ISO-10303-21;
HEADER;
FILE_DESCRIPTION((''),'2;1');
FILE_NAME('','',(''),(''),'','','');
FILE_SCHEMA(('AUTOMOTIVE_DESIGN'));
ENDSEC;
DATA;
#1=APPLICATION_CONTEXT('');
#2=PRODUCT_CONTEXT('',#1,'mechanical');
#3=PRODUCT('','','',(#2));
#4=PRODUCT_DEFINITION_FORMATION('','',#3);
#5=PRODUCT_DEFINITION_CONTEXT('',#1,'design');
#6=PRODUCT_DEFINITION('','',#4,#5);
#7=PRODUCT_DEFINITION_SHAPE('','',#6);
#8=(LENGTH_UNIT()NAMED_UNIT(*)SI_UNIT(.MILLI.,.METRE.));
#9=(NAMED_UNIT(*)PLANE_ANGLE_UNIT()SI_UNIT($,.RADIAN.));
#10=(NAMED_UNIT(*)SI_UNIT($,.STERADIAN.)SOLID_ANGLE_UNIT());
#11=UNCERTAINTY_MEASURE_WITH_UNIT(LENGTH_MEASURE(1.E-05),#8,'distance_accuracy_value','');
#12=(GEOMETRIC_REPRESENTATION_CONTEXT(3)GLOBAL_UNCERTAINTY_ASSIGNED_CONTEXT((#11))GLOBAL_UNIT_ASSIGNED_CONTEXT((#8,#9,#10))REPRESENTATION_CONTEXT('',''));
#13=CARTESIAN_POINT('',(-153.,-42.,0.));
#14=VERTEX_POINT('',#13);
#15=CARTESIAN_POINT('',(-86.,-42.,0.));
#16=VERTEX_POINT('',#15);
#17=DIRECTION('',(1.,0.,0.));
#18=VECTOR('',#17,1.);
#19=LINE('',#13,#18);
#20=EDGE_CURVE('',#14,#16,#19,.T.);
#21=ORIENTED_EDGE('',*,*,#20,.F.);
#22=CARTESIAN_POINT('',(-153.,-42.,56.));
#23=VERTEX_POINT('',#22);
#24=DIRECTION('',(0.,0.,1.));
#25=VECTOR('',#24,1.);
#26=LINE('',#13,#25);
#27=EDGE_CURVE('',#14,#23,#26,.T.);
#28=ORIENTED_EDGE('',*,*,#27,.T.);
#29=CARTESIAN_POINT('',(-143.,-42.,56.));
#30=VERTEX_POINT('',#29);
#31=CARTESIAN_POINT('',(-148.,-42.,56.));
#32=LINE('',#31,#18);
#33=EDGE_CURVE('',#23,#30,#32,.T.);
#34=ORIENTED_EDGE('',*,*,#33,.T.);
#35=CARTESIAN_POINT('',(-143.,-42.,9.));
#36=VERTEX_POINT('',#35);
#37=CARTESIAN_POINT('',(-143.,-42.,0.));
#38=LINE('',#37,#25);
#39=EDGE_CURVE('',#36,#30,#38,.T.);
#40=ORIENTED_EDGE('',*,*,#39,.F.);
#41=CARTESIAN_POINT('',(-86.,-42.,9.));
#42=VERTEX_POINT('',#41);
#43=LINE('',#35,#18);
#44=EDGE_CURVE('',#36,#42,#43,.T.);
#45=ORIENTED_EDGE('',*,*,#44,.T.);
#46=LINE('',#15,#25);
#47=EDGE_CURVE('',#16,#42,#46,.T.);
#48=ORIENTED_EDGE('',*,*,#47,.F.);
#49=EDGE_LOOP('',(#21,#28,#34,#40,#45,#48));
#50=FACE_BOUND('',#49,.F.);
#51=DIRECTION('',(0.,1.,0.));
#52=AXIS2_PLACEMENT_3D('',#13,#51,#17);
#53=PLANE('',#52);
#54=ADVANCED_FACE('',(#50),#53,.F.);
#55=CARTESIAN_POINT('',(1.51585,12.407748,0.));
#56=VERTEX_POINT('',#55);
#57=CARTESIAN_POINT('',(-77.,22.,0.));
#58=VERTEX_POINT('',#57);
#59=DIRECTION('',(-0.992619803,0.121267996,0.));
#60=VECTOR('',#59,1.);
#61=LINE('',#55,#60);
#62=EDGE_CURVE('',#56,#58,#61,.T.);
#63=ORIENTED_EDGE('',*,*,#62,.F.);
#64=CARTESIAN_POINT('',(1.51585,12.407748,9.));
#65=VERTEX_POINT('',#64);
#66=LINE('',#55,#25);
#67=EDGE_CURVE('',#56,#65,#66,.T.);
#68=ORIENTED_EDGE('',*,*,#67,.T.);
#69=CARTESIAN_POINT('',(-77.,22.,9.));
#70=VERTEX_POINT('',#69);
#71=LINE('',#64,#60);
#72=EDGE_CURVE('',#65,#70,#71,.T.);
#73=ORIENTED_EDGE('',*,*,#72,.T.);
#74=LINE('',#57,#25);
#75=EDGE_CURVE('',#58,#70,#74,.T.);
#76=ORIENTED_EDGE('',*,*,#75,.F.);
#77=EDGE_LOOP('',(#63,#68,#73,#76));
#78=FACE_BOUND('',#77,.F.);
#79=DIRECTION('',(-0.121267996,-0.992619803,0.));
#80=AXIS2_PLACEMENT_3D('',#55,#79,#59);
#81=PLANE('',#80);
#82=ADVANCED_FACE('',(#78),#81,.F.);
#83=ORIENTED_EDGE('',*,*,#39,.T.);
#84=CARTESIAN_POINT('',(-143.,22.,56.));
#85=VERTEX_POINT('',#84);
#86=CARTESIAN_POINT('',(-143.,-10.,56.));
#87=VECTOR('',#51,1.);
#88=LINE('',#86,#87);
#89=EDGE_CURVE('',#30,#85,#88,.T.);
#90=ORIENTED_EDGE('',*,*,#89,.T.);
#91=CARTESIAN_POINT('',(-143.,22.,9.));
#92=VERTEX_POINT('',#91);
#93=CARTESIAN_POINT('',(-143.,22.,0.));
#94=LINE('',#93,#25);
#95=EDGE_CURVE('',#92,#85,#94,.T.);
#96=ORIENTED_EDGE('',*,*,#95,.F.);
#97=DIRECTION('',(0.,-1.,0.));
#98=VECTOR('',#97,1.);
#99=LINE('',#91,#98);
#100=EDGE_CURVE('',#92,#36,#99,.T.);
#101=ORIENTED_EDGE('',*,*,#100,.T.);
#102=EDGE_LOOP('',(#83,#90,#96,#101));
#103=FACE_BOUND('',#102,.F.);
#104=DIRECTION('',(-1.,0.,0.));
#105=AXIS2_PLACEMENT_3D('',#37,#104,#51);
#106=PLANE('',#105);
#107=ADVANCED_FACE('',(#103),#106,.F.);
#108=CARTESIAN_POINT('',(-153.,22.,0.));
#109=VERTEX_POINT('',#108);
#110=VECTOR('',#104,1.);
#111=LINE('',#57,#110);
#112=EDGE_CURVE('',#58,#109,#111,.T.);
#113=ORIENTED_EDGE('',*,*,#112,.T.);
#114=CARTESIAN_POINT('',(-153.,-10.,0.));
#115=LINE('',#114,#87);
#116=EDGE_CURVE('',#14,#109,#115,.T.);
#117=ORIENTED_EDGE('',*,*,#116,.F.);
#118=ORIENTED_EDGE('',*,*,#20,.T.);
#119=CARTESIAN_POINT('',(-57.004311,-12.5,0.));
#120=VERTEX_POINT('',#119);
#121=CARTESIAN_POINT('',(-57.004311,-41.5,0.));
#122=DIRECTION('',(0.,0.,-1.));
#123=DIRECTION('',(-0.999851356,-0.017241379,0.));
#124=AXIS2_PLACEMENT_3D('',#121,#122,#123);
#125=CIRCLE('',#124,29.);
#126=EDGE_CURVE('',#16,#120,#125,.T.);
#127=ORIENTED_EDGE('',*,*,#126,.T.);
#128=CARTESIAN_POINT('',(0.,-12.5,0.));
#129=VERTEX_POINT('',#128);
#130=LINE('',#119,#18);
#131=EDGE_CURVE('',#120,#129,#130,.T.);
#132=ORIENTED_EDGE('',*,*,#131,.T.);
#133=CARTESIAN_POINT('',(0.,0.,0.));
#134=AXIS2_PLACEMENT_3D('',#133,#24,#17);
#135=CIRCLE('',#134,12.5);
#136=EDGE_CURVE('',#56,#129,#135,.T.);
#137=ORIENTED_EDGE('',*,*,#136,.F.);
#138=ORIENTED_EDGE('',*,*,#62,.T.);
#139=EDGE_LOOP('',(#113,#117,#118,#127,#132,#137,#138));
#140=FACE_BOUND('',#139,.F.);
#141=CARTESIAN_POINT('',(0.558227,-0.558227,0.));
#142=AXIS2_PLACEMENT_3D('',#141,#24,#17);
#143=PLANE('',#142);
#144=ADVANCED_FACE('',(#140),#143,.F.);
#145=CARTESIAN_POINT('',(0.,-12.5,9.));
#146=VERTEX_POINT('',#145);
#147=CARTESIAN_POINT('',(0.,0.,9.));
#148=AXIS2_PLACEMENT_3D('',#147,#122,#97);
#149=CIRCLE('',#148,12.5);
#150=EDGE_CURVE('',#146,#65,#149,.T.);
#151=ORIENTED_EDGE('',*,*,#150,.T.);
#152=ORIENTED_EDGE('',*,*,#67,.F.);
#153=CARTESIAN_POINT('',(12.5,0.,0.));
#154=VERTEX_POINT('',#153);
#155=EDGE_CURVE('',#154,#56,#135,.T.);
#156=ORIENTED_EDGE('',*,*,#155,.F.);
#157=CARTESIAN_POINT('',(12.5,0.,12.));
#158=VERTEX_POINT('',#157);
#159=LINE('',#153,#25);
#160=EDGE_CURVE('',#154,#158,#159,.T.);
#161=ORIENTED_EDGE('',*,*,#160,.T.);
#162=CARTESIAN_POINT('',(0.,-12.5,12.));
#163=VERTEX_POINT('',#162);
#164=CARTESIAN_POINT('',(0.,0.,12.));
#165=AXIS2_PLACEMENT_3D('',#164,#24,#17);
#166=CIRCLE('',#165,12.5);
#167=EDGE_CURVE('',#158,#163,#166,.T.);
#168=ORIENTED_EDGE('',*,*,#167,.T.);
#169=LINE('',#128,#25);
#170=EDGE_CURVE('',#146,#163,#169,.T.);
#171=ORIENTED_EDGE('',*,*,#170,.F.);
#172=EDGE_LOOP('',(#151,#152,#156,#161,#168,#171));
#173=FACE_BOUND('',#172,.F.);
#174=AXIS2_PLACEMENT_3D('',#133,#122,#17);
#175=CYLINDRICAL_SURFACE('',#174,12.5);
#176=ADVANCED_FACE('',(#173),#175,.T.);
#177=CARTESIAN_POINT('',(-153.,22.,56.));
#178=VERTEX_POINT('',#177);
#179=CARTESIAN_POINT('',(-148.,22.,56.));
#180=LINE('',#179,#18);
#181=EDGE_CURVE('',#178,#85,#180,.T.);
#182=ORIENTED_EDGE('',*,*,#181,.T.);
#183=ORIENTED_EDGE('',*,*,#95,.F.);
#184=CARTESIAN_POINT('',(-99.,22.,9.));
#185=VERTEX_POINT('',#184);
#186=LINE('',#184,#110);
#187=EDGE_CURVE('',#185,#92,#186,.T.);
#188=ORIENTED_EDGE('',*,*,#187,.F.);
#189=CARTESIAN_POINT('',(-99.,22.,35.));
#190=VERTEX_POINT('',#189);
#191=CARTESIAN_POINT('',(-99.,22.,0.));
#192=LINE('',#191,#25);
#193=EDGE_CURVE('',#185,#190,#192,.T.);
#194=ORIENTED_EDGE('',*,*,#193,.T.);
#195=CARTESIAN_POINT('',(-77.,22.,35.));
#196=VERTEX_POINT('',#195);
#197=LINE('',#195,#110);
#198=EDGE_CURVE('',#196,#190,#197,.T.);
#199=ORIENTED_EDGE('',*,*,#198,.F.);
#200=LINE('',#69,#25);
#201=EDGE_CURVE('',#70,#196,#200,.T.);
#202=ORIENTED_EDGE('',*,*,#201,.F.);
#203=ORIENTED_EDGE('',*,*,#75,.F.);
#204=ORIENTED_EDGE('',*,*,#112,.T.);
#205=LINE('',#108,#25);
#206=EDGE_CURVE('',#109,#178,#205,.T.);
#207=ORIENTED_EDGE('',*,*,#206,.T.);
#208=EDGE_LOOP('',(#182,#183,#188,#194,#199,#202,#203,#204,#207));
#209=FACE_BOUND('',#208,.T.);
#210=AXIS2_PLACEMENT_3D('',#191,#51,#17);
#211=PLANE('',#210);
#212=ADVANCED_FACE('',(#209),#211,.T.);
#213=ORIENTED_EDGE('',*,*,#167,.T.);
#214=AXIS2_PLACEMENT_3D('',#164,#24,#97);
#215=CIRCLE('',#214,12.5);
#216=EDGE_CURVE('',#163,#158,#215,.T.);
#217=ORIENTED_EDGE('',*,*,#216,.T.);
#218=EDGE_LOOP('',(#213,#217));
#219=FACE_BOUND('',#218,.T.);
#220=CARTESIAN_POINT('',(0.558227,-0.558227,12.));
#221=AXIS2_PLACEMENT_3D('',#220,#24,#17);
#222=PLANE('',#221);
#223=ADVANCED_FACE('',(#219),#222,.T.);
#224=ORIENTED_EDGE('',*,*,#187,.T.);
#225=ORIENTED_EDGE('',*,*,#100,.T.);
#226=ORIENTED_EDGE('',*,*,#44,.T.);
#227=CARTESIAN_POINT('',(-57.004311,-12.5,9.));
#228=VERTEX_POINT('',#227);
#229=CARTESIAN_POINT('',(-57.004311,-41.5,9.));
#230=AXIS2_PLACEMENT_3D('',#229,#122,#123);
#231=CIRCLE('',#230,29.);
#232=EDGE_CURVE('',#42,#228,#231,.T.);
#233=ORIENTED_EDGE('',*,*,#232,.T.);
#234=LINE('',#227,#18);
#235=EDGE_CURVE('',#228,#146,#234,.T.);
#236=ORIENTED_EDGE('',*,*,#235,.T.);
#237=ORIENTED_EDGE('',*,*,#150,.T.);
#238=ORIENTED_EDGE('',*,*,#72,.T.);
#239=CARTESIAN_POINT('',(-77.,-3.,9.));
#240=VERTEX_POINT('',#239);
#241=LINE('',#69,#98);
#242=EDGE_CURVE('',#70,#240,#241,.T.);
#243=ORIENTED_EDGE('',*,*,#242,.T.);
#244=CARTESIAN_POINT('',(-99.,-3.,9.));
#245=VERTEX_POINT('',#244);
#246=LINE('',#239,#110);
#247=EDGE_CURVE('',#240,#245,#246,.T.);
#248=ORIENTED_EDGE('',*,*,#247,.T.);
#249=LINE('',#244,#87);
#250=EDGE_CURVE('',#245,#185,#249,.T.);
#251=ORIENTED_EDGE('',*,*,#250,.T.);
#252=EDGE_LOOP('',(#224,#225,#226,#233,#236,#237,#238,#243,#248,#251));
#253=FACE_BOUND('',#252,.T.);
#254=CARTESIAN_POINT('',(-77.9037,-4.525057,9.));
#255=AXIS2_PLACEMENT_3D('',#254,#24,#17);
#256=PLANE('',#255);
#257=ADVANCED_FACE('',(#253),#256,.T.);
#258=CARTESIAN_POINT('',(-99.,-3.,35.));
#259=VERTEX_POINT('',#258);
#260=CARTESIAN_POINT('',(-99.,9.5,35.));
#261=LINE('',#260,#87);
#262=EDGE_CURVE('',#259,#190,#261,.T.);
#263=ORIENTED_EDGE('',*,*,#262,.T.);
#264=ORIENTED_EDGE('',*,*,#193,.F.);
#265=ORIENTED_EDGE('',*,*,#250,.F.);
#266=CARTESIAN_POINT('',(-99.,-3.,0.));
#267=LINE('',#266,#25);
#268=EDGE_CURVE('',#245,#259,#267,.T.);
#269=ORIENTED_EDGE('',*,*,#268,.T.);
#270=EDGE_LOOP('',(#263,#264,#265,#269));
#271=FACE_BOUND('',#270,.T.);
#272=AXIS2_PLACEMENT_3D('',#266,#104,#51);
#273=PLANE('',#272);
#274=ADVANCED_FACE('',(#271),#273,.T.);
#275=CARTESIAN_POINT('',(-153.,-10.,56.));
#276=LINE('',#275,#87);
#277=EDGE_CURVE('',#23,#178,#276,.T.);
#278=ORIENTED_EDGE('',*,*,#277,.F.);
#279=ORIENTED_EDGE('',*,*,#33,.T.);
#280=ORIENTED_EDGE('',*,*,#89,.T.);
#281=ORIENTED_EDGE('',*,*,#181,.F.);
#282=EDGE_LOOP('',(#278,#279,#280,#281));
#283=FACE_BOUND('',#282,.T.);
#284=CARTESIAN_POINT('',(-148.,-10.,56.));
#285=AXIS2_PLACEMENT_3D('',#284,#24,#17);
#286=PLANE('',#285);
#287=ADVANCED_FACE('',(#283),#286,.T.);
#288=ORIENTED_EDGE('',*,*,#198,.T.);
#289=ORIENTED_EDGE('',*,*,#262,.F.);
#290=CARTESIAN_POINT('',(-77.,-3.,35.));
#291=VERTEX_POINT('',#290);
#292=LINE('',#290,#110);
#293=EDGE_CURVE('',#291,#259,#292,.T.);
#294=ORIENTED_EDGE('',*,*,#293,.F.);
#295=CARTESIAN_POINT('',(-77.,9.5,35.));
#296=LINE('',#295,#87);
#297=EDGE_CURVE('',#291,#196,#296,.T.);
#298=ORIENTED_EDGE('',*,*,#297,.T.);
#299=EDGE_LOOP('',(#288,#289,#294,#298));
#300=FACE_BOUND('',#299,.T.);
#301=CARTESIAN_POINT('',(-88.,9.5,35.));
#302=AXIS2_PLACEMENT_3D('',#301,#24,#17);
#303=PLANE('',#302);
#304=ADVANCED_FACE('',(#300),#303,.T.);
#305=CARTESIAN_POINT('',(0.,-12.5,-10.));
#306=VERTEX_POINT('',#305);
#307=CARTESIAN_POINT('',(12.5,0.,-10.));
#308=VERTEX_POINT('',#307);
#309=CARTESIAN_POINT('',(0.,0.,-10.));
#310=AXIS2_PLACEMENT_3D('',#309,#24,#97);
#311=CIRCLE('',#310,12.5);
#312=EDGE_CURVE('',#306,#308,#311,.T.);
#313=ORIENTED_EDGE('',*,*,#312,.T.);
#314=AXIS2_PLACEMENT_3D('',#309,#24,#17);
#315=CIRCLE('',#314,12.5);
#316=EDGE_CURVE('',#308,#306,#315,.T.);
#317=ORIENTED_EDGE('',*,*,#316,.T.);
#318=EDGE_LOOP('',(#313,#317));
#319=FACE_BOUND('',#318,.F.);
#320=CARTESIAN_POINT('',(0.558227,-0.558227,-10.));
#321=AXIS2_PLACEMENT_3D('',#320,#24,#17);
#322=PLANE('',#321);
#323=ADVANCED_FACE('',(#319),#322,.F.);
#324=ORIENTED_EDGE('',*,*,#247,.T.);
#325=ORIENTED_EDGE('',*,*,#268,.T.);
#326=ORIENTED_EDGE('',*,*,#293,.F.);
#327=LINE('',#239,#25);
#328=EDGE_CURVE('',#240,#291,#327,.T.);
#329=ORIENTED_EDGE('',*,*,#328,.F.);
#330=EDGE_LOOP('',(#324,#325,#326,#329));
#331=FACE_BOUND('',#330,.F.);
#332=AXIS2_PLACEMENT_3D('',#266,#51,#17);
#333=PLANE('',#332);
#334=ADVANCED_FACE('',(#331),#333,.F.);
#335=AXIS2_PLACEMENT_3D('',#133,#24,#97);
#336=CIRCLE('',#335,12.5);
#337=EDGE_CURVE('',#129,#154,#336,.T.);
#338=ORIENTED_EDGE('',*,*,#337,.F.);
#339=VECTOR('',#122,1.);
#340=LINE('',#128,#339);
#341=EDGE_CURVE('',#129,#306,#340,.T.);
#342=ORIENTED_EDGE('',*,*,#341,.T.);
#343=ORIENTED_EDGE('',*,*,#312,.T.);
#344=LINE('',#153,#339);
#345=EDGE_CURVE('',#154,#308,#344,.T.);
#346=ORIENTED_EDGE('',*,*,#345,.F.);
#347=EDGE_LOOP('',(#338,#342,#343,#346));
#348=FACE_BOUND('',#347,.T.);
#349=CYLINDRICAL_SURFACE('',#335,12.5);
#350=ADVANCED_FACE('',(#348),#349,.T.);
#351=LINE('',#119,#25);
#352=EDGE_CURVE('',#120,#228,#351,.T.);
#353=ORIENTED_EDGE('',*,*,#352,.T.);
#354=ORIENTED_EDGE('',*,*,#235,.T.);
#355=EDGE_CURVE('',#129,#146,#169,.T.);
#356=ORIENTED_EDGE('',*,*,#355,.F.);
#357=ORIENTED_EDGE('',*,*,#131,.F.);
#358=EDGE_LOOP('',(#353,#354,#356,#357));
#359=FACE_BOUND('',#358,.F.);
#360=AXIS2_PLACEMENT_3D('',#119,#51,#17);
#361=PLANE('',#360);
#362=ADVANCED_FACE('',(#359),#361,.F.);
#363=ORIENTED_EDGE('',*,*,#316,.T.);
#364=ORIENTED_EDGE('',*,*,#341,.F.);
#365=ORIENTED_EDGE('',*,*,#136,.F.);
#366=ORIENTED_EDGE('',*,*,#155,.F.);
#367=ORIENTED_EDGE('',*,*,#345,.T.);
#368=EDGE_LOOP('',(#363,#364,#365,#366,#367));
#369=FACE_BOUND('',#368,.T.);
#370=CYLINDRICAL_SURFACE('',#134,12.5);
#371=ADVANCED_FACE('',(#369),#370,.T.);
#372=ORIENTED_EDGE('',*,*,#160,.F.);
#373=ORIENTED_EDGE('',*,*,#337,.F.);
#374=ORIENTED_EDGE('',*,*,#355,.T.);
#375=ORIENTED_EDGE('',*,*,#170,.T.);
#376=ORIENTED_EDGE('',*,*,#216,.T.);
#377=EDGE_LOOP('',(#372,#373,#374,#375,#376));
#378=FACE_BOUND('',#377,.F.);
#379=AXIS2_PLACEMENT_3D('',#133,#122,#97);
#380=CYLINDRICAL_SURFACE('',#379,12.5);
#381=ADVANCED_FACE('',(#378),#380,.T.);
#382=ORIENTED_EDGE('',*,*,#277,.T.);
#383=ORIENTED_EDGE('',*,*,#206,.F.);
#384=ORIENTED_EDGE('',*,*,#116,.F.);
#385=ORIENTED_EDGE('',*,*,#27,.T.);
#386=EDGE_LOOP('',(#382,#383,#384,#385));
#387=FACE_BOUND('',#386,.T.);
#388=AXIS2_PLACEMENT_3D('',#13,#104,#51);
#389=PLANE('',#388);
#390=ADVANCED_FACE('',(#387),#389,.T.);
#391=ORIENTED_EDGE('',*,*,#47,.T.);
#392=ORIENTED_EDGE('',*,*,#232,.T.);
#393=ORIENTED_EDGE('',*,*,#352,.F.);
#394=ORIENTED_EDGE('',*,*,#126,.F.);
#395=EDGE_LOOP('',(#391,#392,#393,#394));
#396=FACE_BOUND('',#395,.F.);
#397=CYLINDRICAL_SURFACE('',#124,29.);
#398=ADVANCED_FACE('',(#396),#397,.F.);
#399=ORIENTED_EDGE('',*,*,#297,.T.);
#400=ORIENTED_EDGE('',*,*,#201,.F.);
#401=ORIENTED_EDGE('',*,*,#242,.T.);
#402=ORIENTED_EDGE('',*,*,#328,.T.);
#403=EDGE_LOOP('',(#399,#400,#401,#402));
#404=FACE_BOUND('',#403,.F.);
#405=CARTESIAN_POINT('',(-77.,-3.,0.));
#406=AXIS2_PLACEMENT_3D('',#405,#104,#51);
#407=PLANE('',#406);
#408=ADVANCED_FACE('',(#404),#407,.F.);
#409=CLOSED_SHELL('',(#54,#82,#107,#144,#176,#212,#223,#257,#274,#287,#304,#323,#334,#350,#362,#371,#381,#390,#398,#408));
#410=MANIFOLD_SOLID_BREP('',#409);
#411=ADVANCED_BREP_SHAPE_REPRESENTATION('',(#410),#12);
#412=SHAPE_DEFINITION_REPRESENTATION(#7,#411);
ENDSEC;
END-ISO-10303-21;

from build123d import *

# Parameters (mm, degrees)
F1_DEPTH      = 9
F0_W          = 10
F0_H          = 64
F2_DEPTH      = 56
F0_W_2        = 22
F0_H_2        = 25
F3_DEPTH      = 35
F4_DEPTH      = 12
F4_DEPTH_BACK = 10
F5_W          = 14
F5_H          = 25
F6_DEPTH      = 16


with BuildPart() as f1:
    # F0 (on Top) → F1 (new body)
    with BuildSketch(Plane.XY):
        with BuildLine():
            Line((-143, 22), (-143, -42))
            Line((-143, -42), (-86, -42))
            ThreePointArc((-86, -42), (-77.6864285452, -21.1714486497), (-57.0043106652, -12.5))
            Line((-57.0043106652, -12.5), (0, -12.5))
            ThreePointArc((0, -12.5), (-12.4769155686, 0.7593272639), (1.5158499456, 12.407747537))
            Line((1.5158499456, 12.407747537), (-77, 22))
            Line((-77, 22), (-77, -3))
            Line((-77, -3), (-99, -3))
            Line((-99, -3), (-99, 22))
            Line((-99, 22), (-143, 22))
        make_face()
    extrude(amount=F1_DEPTH)

    # F0 (on Top) → F2 (join)
    with BuildSketch(Plane.XY):
        with Locations((-148, -10)):
            Rectangle(F0_W, F0_H)
    extrude(amount=F2_DEPTH)

    # F0 (on Top) → F3 (join)
    with BuildSketch(Plane.XY):
        with Locations((-88, 9.5)):
            Rectangle(F0_W_2, F0_H_2)
    extrude(amount=F3_DEPTH)

    # F0 (on Top) → F4 (join, two sides)
    with BuildSketch(Plane.XY) as f4_sk:
        with BuildLine():
            ThreePointArc((1.5158499456, 12.407747537), (-12.4769155686, 0.7593272639), (0, -12.5))
            ThreePointArc((0, -12.5), (8.8388347648, -8.8388347648), (12.5, 0))
            ThreePointArc((12.5, 0), (9.3594370643, 8.2855861494), (1.5158499456, 12.407747537))
        make_face()
    extrude(amount=F4_DEPTH)
    extrude(f4_sk.sketch, amount=-F4_DEPTH_BACK)

    # F5 (on face) → F6 (join)
    with BuildSketch(Plane.XY.offset(35)):
        with Locations((-84, 9.5)):
            Rectangle(F5_W, F5_H)
    extrude(amount=-F6_DEPTH)


solid = f1.part
